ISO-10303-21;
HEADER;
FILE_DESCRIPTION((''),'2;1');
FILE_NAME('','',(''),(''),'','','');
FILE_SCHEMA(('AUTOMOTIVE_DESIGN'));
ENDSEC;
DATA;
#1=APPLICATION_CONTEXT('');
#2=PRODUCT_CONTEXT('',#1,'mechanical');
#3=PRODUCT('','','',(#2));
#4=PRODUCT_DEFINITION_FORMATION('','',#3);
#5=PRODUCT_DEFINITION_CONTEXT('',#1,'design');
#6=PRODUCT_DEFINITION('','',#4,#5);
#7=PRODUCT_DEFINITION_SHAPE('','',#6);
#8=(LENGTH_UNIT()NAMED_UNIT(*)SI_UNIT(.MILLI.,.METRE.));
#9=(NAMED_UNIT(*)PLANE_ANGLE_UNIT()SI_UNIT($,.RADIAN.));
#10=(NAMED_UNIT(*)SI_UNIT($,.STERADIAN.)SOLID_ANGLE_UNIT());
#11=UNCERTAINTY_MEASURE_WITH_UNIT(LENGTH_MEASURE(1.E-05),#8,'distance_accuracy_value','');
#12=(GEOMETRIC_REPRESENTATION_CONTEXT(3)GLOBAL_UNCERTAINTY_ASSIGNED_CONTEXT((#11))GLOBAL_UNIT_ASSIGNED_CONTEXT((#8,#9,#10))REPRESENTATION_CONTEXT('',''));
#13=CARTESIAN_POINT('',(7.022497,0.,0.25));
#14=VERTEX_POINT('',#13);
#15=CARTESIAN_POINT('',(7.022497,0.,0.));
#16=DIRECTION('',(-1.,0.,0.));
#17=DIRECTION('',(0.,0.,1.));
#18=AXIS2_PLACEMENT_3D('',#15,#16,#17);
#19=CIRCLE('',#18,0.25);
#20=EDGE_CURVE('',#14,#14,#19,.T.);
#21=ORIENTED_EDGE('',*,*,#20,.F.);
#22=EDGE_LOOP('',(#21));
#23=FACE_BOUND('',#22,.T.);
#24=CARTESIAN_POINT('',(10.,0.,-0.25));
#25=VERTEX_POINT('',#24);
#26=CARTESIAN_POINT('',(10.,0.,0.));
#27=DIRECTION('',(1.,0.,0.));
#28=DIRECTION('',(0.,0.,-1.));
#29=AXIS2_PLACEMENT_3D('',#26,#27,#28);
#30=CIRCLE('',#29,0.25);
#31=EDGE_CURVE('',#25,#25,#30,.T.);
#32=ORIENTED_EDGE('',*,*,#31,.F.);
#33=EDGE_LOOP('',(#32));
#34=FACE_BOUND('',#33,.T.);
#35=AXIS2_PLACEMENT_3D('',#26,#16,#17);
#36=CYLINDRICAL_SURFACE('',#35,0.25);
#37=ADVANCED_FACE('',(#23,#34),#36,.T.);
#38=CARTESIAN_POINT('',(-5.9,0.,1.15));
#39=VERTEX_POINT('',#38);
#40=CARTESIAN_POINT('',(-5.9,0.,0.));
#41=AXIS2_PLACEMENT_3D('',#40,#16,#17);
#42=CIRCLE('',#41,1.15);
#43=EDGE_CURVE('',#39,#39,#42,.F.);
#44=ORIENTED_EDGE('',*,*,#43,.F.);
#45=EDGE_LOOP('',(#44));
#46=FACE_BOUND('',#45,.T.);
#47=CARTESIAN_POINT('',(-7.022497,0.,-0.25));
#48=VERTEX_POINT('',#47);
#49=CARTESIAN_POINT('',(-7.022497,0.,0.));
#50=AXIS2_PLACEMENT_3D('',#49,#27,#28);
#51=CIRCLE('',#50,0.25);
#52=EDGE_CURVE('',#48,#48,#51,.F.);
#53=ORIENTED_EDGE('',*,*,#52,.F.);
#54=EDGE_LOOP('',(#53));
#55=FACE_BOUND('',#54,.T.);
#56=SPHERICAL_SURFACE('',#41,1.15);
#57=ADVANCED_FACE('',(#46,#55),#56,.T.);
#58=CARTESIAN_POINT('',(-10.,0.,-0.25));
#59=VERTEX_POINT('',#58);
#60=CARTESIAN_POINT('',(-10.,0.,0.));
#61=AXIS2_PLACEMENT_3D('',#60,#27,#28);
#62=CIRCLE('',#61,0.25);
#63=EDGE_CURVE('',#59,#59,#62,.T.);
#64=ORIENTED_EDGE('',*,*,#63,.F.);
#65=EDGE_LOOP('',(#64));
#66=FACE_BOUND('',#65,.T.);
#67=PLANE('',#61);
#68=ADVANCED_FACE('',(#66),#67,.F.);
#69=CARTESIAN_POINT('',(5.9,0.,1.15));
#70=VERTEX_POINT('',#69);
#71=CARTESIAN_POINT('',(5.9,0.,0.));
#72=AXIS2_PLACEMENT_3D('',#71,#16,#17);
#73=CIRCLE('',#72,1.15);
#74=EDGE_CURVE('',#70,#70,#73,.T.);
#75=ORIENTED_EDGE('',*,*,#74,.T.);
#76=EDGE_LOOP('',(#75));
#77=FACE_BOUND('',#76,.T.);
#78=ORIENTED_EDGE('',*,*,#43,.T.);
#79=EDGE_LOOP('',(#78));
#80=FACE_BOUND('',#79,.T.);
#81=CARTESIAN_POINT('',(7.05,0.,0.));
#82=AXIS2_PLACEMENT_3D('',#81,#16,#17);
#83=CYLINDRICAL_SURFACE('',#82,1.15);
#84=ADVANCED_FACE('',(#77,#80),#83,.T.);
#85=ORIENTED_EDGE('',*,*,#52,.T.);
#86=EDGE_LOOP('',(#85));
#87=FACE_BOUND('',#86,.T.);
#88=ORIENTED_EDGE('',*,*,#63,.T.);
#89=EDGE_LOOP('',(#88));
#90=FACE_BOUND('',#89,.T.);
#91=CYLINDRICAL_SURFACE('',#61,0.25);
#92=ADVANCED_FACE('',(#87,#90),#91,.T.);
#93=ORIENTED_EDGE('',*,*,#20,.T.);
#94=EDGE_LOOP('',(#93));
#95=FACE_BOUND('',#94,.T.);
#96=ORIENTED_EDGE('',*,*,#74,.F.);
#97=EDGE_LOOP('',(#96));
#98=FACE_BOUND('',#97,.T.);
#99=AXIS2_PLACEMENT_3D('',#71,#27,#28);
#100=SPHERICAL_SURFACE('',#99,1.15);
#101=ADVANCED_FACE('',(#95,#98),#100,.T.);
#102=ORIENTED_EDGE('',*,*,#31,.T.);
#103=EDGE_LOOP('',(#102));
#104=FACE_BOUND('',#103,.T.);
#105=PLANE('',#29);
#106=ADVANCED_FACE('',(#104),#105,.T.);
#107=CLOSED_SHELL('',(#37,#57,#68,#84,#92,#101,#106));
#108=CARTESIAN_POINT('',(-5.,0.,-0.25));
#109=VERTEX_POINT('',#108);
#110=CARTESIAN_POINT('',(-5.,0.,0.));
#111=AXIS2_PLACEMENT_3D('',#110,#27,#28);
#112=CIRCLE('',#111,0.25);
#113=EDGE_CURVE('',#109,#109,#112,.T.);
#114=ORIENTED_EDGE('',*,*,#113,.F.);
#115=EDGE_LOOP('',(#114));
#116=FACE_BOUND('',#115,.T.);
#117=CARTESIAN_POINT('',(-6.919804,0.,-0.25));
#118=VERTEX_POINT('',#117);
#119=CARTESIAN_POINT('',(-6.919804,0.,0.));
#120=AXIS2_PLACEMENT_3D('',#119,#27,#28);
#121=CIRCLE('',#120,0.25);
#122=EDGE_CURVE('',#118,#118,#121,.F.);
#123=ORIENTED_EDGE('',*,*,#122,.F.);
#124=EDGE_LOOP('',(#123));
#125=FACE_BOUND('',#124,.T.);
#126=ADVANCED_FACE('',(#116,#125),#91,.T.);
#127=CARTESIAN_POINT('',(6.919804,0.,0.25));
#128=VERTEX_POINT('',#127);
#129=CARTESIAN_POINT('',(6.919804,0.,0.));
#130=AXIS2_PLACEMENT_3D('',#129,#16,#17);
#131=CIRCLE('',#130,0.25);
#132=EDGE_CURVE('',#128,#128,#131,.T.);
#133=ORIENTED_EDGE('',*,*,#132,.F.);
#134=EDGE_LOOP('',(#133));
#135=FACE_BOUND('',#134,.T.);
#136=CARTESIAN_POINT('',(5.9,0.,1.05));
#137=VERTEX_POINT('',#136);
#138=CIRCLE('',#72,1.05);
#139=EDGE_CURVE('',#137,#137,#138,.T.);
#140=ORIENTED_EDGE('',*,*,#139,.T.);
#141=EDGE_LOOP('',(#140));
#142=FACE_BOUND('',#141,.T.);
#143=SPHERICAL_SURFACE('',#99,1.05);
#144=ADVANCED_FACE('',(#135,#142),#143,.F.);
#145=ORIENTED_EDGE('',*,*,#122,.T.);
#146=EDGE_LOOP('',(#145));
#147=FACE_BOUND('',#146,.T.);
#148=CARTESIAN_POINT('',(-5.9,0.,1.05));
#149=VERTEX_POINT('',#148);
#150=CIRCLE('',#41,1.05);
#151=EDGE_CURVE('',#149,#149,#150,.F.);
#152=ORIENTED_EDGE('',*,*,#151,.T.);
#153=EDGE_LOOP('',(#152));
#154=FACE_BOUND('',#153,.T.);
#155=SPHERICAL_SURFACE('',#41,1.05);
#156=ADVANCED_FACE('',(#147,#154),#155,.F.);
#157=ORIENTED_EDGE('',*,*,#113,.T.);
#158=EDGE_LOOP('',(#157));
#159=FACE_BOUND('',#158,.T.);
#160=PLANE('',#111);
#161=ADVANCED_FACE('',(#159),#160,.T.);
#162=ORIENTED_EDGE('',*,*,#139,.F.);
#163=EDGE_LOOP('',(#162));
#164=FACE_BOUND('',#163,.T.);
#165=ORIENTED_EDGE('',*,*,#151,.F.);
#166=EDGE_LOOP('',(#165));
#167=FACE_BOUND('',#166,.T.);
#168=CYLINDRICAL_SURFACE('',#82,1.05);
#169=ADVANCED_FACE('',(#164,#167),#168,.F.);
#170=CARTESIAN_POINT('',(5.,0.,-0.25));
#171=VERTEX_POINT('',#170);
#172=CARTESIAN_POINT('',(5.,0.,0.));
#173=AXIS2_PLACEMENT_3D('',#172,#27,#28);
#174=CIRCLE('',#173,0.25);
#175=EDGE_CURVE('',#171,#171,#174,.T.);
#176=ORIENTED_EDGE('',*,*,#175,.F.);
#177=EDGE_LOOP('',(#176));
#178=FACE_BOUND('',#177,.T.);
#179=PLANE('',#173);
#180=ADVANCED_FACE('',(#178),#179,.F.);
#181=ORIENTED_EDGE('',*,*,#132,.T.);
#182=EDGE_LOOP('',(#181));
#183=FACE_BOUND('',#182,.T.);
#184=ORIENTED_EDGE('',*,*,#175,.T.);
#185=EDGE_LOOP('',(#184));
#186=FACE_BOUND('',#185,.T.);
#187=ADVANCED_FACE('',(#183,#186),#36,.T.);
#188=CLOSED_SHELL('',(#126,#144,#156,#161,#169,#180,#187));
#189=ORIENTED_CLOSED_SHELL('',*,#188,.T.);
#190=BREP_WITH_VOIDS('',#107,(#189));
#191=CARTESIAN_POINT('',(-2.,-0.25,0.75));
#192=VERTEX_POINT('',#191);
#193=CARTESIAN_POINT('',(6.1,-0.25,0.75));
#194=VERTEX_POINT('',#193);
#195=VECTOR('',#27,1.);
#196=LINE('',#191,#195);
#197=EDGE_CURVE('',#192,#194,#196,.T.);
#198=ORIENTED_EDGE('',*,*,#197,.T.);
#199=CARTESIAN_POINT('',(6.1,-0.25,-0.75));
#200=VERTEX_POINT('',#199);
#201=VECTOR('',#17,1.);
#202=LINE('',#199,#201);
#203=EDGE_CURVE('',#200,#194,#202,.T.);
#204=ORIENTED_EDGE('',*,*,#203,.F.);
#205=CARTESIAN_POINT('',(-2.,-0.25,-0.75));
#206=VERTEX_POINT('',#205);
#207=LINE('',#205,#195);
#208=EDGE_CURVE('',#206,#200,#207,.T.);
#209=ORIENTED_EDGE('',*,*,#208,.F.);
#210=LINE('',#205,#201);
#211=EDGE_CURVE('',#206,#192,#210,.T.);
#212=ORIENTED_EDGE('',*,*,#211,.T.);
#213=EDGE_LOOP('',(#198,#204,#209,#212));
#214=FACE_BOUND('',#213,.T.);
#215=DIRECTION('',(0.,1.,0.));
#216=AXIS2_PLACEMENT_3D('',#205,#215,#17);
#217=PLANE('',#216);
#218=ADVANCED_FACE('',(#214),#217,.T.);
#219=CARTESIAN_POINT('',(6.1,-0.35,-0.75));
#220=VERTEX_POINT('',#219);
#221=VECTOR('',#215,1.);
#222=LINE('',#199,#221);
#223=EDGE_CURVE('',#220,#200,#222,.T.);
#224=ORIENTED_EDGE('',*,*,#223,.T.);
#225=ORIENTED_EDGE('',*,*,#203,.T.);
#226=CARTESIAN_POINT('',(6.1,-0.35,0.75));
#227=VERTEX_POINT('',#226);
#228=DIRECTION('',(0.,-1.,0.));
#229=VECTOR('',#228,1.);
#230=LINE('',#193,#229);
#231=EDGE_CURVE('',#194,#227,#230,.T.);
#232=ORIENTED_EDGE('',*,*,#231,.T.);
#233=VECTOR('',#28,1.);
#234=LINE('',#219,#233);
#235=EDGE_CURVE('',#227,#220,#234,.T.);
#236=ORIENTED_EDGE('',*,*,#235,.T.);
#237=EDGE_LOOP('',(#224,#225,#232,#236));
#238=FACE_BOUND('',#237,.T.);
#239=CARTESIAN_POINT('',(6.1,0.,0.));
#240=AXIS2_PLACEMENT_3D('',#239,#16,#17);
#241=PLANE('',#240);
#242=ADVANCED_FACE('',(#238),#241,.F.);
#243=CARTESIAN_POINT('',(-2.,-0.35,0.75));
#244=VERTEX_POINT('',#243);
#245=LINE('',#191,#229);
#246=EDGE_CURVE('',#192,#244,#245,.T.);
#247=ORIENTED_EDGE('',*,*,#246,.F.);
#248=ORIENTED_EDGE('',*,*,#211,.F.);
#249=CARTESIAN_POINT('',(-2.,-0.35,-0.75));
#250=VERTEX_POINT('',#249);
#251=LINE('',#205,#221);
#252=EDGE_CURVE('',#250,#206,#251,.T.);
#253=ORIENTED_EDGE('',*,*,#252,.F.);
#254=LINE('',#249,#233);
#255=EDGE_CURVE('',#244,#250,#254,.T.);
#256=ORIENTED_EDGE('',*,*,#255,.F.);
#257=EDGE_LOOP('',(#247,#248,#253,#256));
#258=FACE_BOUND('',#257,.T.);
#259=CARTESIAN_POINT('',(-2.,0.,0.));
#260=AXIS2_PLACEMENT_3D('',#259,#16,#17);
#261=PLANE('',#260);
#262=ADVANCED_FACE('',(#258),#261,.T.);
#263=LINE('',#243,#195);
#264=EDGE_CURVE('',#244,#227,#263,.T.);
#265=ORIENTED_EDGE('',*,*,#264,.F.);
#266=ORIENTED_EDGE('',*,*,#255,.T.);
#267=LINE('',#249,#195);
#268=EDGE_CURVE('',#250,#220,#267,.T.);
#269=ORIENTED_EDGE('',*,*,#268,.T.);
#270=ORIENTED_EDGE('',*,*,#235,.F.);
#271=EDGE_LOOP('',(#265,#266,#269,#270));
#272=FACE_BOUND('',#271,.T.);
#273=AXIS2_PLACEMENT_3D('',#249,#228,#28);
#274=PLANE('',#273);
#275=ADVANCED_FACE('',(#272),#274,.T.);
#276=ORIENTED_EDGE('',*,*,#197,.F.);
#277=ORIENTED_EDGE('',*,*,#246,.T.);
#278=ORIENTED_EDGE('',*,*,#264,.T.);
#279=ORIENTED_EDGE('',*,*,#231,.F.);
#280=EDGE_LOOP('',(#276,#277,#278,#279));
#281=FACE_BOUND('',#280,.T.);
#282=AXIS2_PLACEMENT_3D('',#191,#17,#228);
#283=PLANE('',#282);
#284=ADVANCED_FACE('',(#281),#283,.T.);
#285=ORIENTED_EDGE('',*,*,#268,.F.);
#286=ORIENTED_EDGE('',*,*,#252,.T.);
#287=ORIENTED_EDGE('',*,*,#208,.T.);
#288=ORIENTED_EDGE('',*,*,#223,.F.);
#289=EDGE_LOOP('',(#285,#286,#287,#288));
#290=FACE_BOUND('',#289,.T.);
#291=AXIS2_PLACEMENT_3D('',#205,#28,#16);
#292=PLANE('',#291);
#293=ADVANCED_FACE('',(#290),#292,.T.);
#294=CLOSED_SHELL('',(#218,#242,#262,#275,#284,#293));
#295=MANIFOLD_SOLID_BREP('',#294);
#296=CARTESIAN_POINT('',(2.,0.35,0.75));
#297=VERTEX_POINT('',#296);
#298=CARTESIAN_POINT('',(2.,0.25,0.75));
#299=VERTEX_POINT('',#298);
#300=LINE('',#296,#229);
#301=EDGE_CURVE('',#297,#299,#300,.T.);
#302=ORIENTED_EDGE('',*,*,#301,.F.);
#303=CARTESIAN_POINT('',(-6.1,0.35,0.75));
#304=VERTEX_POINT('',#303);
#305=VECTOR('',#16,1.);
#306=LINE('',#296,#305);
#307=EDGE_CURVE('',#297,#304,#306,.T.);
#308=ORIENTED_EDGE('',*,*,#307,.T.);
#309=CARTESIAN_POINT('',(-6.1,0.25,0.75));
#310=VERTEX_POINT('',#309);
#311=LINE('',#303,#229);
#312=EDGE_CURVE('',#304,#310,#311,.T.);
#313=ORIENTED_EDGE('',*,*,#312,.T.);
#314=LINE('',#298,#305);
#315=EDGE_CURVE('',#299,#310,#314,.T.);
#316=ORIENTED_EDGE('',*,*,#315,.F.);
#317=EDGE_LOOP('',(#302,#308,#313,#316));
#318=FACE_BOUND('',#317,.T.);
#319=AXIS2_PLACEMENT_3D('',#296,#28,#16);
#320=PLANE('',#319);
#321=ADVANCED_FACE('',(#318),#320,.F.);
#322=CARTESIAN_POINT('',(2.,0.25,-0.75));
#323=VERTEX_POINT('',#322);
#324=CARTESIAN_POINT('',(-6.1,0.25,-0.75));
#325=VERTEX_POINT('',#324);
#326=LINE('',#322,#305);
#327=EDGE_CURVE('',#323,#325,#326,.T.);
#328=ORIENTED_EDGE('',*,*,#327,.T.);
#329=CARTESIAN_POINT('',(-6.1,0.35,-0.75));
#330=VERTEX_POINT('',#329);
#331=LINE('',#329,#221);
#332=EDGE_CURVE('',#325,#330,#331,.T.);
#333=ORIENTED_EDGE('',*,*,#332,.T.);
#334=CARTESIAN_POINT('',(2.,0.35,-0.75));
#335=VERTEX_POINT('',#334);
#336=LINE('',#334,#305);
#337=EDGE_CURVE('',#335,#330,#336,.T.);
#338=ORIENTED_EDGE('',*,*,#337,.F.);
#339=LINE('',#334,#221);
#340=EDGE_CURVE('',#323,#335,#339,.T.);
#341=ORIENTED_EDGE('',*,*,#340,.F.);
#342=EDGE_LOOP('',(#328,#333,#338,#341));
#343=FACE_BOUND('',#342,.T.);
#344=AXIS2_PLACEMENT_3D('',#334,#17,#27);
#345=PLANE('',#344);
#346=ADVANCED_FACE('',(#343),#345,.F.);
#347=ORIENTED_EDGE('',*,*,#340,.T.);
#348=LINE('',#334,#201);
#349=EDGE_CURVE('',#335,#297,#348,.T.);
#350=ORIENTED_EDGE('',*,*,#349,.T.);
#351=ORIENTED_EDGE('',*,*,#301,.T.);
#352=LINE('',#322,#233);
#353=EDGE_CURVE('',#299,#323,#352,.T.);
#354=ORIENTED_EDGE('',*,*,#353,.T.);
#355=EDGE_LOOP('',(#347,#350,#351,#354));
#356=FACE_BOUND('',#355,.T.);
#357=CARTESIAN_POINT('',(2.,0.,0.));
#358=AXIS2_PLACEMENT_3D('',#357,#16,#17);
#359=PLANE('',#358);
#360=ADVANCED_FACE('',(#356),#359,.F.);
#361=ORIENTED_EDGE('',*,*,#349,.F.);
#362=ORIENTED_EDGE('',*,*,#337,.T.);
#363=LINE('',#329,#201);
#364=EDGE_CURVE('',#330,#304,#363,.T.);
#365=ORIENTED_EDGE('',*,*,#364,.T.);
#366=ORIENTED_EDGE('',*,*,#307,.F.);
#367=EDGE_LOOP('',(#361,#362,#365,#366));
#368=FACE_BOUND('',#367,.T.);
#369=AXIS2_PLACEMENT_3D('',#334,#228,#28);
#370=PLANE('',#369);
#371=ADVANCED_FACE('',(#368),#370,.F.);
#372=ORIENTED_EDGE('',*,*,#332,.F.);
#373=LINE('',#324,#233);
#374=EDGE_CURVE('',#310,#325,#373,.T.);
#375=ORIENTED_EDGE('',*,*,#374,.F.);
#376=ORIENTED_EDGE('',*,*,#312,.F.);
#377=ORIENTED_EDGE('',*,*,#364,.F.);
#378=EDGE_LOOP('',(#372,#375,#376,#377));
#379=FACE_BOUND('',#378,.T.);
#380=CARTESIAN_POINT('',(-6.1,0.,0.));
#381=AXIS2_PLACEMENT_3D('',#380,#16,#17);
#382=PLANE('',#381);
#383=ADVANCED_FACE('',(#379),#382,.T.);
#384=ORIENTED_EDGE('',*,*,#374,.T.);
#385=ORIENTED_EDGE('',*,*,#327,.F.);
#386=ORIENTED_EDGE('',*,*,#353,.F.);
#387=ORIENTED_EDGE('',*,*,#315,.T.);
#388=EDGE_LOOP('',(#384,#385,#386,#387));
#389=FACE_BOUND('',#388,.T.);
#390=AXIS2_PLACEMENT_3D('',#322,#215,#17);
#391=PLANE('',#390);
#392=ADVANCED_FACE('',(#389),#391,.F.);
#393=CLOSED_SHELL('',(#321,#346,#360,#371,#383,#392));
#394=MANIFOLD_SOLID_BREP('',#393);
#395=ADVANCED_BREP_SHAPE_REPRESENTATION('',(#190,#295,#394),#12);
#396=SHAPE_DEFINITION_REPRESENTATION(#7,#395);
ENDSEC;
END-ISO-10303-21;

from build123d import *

# Parameters (mm, degrees)
SKETCH1_R                = 1.15
BOSS_EXTRUDE1_DEPTH      = 7.05
FILLET1_R                = 1.15
FILLET1_OF_MIRROR3_R     = 1.15
SHELL2_T                 = 0.1
BOSS_EXTRUDE2_DEPTH      = 2
BOSS_EXTRUDE2_DEPTH_BACK = 6.1
SKETCH2_W                = 1.5
SKETCH2_H                = 0.1
BOSS_EXTRUDE3_DEPTH      = 6.1
BOSS_EXTRUDE3_DEPTH_BACK = 2
SKETCH4_W                = 1.5
SKETCH4_H                = 0.1
SKETCH5_R                = 0.25
BOSS_EXTRUDE4_DEPTH      = 5
BOSS_EXTRUDE5_START      = 5
SKETCH6_R                = 0.25
BOSS_EXTRUDE5_DEPTH      = 5


with BuildPart() as part:
    # Sketch1 → Boss-Extrude1 (new body)
    with BuildSketch(Plane(origin=(0, 0, 0), x_dir=(0, 0, -1), z_dir=(1, 0, 0))):
        Circle(SKETCH1_R)
    boss_extrude1 = extrude(amount=BOSS_EXTRUDE1_DEPTH)

    # Fillet1
    fillet1_edges = [part.edges().sort_by_distance(p)[0] for p in [
        (7.05, 0, 1.15),
    ]]
    fillet(fillet1_edges, radius=FILLET1_R)

    # Mirror3: Boss-Extrude1 across Right Plane
    add(boss_extrude1.mirror(Plane(origin=(0, 0, 0), x_dir=(0, 0, -1), z_dir=(1, 0, 0))))

    # Fillet1 of Mirror3
    fillet1_of_mirror3_edges = [part.edges().sort_by_distance(p)[0] for p in [
        (-7.05, 0, 1.15),
    ]]
    fillet(fillet1_of_mirror3_edges, radius=FILLET1_OF_MIRROR3_R)

    # Shell2 (no face opened: a closed hollow body)
    add(offset(amount=-SHELL2_T, mode=Mode.PRIVATE), mode=Mode.SUBTRACT)

    # Sketch5 → Boss-Extrude4 (add)
    with BuildSketch(Plane(origin=(-5, 0, 0), x_dir=(0, 0, -1), z_dir=(1, 0, 0))):
        Circle(SKETCH5_R)
    extrude(amount=-BOSS_EXTRUDE4_DEPTH)

    # Sketch6 → Boss-Extrude5 (add)
    with BuildSketch(Plane(origin=(5, 0, 0), x_dir=(0, 0, -1), z_dir=(1, 0, 0)).offset(BOSS_EXTRUDE5_START)):
        Circle(SKETCH6_R)
    extrude(amount=-BOSS_EXTRUDE5_DEPTH)


with BuildPart() as body_2:
    # Sketch2 → Boss-Extrude2 (new, two sides: drawn at the far end of the back side and taken through both)
    with BuildSketch(Plane(origin=(0, 0, 0), x_dir=(0, 0, -1), z_dir=(1, 0, 0)).offset(-BOSS_EXTRUDE2_DEPTH_BACK)):
        with Locations((0, 0.3)):
            Rectangle(SKETCH2_W, SKETCH2_H)
    extrude(amount=BOSS_EXTRUDE2_DEPTH + BOSS_EXTRUDE2_DEPTH_BACK)


with BuildPart() as body_3:
    # Sketch4 → Boss-Extrude3 (new, two sides: drawn at the far end of the back side and taken through both)
    with BuildSketch(Plane(origin=(0, 0, 0), x_dir=(0, 0, -1), z_dir=(1, 0, 0)).offset(-BOSS_EXTRUDE3_DEPTH_BACK)):
        with Locations((0, -0.3)):
            Rectangle(SKETCH4_W, SKETCH4_H)
    extrude(amount=BOSS_EXTRUDE3_DEPTH + BOSS_EXTRUDE3_DEPTH_BACK)


solid = Compound([part.part, body_2.part, body_3.part])
